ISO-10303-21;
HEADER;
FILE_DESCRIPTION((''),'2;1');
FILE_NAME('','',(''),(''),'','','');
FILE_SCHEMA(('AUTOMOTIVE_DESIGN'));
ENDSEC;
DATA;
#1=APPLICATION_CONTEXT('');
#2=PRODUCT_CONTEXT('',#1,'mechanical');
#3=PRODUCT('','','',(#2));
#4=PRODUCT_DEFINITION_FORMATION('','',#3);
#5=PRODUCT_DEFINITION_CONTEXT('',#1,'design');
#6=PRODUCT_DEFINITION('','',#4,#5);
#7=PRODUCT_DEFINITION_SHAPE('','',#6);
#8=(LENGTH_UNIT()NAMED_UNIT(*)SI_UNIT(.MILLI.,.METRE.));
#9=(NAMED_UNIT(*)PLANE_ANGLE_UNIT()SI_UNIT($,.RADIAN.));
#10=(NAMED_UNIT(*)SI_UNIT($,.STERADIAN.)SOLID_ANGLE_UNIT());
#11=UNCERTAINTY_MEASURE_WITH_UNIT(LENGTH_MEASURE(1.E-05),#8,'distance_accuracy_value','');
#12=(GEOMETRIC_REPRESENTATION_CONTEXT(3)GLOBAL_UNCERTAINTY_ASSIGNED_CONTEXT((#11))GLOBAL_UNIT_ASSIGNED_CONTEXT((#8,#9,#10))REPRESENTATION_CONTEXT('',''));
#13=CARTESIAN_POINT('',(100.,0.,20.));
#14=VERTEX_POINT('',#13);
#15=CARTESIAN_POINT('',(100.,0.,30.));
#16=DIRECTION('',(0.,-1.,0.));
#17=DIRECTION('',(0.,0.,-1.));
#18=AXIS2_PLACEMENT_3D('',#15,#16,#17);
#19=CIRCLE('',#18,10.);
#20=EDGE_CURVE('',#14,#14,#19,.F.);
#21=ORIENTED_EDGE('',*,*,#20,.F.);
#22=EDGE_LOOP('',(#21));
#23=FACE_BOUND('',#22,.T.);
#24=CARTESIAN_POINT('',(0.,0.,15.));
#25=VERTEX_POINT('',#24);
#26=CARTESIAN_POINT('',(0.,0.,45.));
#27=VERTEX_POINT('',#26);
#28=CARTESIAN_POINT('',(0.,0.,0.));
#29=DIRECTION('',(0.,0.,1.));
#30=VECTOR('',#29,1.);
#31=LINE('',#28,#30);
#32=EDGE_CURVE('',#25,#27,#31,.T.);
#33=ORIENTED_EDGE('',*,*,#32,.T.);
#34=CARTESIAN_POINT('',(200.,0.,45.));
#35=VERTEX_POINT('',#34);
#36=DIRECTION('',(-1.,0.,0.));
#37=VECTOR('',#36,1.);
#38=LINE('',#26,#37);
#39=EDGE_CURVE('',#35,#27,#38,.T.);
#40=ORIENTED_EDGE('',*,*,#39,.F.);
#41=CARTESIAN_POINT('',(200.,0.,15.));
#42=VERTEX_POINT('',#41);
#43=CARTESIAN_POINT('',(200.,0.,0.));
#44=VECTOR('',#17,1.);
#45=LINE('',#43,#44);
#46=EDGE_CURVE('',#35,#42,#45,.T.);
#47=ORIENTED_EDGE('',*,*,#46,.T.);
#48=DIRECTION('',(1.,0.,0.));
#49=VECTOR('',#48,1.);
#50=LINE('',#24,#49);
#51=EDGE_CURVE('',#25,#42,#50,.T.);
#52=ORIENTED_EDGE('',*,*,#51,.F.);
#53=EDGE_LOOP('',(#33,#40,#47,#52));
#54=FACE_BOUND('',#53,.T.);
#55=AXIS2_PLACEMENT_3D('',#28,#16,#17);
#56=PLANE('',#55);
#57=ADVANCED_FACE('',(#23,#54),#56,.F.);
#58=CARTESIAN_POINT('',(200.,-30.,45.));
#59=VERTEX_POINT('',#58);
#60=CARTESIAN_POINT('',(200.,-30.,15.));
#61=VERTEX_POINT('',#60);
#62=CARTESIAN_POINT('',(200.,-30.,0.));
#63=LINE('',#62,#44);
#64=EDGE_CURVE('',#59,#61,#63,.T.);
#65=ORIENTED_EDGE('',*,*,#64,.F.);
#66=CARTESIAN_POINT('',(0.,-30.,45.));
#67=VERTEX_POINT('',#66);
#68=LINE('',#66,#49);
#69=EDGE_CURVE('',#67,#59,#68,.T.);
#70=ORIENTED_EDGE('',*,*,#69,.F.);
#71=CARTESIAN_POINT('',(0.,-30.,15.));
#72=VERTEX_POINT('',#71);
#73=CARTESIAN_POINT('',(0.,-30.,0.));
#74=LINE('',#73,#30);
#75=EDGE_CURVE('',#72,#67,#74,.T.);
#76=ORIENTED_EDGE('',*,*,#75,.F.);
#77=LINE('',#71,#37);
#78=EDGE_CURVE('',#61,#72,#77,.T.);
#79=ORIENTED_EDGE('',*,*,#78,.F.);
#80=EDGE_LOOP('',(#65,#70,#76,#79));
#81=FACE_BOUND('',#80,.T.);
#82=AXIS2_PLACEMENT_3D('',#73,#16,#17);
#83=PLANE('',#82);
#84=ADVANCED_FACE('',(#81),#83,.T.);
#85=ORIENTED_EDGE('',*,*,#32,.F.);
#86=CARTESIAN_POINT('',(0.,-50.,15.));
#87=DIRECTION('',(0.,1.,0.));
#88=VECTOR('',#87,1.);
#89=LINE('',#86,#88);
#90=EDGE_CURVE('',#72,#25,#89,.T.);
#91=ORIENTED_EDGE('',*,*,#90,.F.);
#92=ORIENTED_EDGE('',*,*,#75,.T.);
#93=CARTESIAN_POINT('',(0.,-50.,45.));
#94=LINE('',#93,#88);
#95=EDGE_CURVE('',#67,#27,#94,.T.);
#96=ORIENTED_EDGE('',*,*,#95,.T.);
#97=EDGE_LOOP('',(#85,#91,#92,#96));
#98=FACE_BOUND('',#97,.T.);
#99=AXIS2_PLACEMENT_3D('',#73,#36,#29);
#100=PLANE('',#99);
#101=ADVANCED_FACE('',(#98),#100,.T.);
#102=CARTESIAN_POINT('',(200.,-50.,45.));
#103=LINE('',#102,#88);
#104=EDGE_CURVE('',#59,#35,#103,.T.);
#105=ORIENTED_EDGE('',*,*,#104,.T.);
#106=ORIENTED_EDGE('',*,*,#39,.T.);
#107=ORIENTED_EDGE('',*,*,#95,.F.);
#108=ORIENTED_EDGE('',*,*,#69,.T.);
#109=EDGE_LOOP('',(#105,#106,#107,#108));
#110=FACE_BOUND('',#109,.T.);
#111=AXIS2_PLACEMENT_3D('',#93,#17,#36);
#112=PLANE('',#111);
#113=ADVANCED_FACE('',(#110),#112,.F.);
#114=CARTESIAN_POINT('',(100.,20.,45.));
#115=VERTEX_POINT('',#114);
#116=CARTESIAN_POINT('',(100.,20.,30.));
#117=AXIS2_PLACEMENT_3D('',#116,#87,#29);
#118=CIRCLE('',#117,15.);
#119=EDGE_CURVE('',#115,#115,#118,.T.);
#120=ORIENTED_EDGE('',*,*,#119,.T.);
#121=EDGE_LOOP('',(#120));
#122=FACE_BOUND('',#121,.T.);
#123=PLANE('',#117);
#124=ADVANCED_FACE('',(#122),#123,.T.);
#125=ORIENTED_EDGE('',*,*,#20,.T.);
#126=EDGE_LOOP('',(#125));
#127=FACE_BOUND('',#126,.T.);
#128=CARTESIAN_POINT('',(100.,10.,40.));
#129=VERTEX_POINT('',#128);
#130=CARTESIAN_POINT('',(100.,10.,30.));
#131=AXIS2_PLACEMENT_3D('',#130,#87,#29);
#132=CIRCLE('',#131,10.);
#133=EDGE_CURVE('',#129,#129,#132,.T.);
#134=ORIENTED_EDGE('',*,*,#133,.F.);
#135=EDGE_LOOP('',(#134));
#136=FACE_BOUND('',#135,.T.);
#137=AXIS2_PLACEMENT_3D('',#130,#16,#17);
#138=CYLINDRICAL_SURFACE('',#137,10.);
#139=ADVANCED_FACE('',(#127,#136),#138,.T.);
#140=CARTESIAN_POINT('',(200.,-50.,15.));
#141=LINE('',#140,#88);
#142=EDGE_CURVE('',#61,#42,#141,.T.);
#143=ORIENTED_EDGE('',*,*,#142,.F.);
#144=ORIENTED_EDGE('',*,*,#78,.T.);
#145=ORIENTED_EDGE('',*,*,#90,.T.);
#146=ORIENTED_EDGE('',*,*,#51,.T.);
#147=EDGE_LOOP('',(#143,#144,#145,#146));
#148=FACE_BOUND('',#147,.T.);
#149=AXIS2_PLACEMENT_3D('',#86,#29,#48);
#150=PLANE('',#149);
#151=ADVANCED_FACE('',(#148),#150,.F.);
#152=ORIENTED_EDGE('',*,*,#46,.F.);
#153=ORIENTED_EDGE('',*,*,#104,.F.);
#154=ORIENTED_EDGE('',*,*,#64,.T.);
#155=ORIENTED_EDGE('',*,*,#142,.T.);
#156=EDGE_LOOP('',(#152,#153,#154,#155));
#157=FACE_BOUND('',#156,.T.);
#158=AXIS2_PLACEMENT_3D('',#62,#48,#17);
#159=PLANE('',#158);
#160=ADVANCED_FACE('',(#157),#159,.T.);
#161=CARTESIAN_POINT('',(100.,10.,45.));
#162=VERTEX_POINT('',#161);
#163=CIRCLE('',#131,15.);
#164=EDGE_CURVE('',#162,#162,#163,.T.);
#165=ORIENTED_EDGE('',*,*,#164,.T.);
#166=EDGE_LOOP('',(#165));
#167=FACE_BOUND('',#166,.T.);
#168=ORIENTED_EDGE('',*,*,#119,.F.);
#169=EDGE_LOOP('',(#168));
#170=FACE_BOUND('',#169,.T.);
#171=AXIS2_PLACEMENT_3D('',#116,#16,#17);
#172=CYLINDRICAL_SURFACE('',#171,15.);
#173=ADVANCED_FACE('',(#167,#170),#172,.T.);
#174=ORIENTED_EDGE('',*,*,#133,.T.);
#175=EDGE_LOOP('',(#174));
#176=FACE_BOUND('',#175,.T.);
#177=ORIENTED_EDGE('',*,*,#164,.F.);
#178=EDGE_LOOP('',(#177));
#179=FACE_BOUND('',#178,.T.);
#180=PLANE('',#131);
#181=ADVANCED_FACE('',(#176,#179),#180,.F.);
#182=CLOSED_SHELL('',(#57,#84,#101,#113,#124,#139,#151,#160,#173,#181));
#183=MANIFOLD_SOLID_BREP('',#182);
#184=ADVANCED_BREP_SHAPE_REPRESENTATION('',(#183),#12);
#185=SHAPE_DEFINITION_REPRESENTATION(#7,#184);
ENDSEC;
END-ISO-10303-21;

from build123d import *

# Parameters (mm, degrees)
SKETCH1_W           = 200
SKETCH1_H           = 60
BOSS_EXTRUDE1_DEPTH = 30
SKETCH2_R           = 10
BOSS_EXTRUDE3_DEPTH = 10
SKETCH3_R           = 15
BOSS_EXTRUDE4_DEPTH = 10
SKETCH4_W           = 200
SKETCH4_H           = 15
CUT_EXTRUDE1_DEPTH  = 50


with BuildPart() as part:
    # Sketch1 → Boss-Extrude1 (new body)
    with BuildSketch(Plane(origin=(0, 0, 0), x_dir=(1, 0, 0), z_dir=(0, 1, 0))):
        with Locations((100, -30)):
            Rectangle(SKETCH1_W, SKETCH1_H)
    extrude(amount=-BOSS_EXTRUDE1_DEPTH)

    # Sketch2 → Boss-Extrude3 (add)
    with BuildSketch(Plane(origin=(0, 0, 0), x_dir=(1, 0, 0), z_dir=(0, 1, 0))):
        with Locations(Location((100, -30, 0), (0, 0, 90))):
            Circle(SKETCH2_R)
    extrude(amount=BOSS_EXTRUDE3_DEPTH)

    # Sketch3 → Boss-Extrude4 (add)
    with BuildSketch(Plane(origin=(0, 10, 0), x_dir=(1, 0, 0), z_dir=(0, 1, 0))):
        with Locations(Location((100, -30, 0), (0, 0, 270))):
            Circle(SKETCH3_R)
    extrude(amount=BOSS_EXTRUDE4_DEPTH)

    # Sketch4 → Cut-Extrude1 (cut)
    with BuildSketch(Plane(origin=(0, 0, 0), x_dir=(1, 0, 0), z_dir=(0, 1, 0))):
        with Locations((100, -7.5)):
            Rectangle(SKETCH4_W, SKETCH4_H)
        with Locations((100, -52.5)):
            Rectangle(SKETCH4_W, SKETCH4_H)
    extrude(amount=-CUT_EXTRUDE1_DEPTH, mode=Mode.SUBTRACT)


solid = part.part
